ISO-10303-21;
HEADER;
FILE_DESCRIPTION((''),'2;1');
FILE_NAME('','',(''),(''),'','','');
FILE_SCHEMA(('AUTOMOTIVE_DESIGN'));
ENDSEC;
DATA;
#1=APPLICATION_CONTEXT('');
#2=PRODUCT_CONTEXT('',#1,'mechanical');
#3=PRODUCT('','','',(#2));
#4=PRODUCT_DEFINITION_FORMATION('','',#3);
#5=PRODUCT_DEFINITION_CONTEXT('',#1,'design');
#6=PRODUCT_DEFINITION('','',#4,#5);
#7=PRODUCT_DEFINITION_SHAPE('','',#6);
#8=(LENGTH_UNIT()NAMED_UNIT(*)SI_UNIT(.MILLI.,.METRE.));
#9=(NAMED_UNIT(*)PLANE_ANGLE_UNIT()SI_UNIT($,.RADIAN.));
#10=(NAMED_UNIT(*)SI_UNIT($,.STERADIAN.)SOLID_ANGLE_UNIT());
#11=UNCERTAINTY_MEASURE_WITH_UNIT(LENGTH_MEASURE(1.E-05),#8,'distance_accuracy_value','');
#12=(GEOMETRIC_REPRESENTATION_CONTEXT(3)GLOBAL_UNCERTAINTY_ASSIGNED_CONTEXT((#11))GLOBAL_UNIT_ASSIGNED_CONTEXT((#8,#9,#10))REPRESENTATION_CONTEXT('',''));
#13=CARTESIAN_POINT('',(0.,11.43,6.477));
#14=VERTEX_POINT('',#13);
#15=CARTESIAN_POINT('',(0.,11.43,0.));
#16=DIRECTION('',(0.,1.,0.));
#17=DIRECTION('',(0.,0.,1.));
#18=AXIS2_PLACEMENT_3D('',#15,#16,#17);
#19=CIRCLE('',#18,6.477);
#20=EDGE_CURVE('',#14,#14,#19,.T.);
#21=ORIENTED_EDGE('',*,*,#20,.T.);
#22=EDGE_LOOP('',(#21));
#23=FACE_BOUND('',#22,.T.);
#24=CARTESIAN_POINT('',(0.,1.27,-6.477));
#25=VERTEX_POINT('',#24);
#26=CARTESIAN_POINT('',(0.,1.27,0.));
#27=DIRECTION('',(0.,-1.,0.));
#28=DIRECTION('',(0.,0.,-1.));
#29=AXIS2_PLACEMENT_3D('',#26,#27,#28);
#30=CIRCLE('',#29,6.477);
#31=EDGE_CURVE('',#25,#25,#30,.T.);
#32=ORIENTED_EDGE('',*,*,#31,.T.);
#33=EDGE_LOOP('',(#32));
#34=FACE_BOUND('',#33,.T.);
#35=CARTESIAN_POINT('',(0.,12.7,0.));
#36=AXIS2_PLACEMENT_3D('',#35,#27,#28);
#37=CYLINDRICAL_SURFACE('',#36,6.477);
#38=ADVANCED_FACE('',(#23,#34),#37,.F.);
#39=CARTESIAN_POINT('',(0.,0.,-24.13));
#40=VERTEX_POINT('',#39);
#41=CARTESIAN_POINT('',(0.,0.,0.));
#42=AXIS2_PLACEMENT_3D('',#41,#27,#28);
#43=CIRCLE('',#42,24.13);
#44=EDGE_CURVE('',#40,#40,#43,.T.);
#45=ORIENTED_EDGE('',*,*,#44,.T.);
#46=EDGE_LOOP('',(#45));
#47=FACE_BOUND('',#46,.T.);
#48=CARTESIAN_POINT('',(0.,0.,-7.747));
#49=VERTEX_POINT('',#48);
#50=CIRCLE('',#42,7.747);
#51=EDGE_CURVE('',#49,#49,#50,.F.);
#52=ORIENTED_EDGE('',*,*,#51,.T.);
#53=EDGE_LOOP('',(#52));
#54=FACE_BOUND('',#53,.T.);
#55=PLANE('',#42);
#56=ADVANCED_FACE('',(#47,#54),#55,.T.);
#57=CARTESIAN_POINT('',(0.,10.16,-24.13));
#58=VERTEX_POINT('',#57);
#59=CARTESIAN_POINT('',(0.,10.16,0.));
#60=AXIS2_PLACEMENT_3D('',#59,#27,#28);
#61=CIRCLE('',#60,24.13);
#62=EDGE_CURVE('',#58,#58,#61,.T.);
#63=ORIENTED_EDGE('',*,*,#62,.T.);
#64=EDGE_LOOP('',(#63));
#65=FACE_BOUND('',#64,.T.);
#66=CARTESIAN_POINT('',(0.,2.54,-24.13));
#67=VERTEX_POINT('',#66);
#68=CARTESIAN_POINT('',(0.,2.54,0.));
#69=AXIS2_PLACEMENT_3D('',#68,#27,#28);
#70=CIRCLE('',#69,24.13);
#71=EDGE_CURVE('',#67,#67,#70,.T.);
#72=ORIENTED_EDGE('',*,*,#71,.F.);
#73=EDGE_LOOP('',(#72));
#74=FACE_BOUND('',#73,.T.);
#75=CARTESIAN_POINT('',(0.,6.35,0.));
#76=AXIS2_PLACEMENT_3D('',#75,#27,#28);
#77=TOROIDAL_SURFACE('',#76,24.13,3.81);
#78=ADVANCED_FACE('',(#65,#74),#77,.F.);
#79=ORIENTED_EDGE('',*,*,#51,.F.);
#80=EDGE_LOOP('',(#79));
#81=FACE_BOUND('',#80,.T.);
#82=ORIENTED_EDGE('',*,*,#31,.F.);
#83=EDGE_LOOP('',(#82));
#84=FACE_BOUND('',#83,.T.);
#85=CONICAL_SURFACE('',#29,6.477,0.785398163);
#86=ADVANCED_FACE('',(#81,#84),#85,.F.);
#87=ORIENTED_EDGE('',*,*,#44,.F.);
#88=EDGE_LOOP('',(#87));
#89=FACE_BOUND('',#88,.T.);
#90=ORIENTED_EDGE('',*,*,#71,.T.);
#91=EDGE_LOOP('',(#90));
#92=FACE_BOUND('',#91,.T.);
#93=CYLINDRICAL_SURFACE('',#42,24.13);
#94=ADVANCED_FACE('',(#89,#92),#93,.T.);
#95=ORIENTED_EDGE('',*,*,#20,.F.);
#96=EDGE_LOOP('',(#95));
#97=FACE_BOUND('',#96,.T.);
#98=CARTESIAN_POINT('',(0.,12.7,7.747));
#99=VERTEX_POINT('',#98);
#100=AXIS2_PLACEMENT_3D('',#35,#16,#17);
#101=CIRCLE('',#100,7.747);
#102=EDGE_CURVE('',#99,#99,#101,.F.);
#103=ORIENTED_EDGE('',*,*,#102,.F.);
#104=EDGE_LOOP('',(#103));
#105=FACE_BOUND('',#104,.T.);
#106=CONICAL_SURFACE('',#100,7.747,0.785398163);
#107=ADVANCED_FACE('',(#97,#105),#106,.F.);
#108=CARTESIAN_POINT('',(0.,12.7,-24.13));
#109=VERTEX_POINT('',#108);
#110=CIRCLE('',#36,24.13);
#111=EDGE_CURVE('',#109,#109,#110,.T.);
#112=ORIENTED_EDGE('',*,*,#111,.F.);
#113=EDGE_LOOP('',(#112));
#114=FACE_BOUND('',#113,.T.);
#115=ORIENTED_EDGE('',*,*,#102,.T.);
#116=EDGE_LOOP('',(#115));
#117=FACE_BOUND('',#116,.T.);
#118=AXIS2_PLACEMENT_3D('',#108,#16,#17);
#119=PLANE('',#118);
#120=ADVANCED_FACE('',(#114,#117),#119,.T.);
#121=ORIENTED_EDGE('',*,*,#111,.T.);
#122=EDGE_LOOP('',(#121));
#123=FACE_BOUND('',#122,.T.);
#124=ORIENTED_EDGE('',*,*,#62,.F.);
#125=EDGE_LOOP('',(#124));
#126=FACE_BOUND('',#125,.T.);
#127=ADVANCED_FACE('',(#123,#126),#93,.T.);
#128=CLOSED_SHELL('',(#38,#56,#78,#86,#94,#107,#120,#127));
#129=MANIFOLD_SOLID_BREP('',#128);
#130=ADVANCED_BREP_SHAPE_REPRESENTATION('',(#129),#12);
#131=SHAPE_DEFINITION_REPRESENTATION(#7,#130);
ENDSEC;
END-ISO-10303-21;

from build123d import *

# Parameters (mm, degrees)
SKETCH2_R          = 6.477
CUT_EXTRUDE1_DEPTH = 37.411588815
CHAMFER1_SIZE      = 1.27


with BuildPart() as part:
    # Sketch1 → Revolve1 (revolve)
    with BuildSketch(Plane(origin=(0, 0, 0), x_dir=(0, 0, -1), z_dir=(1, 0, 0))):
        with BuildLine():
            Line((0, 0), (24.13, 0))
            Line((24.13, 0), (24.13, 2.54))
            ThreePointArc((24.13, 2.54), (20.32, 6.35), (24.13, 10.16))
            Line((24.13, 10.16), (24.13, 12.7))
            Line((24.13, 12.7), (0, 12.7))
            Line((0, 12.7), (0, 0))
        make_face()
    revolve(axis=Axis((0, 0, 0), (0, 1, 0)))

    # Sketch2 → Cut-Extrude1 (cut, through all)
    with BuildSketch(Plane.XZ):
        with Locations(Location((0, 0, 0), (0, 0, 270))):
            Circle(SKETCH2_R)
    extrude(amount=-CUT_EXTRUDE1_DEPTH, mode=Mode.SUBTRACT)

    # Chamfer1
    chamfer1_edges = [part.edges().sort_by_distance(p)[0] for p in [
        (0, 12.7, 6.477),
        (0, 0, 6.477),
    ]]
    chamfer(chamfer1_edges, length=CHAMFER1_SIZE)


solid = part.part
